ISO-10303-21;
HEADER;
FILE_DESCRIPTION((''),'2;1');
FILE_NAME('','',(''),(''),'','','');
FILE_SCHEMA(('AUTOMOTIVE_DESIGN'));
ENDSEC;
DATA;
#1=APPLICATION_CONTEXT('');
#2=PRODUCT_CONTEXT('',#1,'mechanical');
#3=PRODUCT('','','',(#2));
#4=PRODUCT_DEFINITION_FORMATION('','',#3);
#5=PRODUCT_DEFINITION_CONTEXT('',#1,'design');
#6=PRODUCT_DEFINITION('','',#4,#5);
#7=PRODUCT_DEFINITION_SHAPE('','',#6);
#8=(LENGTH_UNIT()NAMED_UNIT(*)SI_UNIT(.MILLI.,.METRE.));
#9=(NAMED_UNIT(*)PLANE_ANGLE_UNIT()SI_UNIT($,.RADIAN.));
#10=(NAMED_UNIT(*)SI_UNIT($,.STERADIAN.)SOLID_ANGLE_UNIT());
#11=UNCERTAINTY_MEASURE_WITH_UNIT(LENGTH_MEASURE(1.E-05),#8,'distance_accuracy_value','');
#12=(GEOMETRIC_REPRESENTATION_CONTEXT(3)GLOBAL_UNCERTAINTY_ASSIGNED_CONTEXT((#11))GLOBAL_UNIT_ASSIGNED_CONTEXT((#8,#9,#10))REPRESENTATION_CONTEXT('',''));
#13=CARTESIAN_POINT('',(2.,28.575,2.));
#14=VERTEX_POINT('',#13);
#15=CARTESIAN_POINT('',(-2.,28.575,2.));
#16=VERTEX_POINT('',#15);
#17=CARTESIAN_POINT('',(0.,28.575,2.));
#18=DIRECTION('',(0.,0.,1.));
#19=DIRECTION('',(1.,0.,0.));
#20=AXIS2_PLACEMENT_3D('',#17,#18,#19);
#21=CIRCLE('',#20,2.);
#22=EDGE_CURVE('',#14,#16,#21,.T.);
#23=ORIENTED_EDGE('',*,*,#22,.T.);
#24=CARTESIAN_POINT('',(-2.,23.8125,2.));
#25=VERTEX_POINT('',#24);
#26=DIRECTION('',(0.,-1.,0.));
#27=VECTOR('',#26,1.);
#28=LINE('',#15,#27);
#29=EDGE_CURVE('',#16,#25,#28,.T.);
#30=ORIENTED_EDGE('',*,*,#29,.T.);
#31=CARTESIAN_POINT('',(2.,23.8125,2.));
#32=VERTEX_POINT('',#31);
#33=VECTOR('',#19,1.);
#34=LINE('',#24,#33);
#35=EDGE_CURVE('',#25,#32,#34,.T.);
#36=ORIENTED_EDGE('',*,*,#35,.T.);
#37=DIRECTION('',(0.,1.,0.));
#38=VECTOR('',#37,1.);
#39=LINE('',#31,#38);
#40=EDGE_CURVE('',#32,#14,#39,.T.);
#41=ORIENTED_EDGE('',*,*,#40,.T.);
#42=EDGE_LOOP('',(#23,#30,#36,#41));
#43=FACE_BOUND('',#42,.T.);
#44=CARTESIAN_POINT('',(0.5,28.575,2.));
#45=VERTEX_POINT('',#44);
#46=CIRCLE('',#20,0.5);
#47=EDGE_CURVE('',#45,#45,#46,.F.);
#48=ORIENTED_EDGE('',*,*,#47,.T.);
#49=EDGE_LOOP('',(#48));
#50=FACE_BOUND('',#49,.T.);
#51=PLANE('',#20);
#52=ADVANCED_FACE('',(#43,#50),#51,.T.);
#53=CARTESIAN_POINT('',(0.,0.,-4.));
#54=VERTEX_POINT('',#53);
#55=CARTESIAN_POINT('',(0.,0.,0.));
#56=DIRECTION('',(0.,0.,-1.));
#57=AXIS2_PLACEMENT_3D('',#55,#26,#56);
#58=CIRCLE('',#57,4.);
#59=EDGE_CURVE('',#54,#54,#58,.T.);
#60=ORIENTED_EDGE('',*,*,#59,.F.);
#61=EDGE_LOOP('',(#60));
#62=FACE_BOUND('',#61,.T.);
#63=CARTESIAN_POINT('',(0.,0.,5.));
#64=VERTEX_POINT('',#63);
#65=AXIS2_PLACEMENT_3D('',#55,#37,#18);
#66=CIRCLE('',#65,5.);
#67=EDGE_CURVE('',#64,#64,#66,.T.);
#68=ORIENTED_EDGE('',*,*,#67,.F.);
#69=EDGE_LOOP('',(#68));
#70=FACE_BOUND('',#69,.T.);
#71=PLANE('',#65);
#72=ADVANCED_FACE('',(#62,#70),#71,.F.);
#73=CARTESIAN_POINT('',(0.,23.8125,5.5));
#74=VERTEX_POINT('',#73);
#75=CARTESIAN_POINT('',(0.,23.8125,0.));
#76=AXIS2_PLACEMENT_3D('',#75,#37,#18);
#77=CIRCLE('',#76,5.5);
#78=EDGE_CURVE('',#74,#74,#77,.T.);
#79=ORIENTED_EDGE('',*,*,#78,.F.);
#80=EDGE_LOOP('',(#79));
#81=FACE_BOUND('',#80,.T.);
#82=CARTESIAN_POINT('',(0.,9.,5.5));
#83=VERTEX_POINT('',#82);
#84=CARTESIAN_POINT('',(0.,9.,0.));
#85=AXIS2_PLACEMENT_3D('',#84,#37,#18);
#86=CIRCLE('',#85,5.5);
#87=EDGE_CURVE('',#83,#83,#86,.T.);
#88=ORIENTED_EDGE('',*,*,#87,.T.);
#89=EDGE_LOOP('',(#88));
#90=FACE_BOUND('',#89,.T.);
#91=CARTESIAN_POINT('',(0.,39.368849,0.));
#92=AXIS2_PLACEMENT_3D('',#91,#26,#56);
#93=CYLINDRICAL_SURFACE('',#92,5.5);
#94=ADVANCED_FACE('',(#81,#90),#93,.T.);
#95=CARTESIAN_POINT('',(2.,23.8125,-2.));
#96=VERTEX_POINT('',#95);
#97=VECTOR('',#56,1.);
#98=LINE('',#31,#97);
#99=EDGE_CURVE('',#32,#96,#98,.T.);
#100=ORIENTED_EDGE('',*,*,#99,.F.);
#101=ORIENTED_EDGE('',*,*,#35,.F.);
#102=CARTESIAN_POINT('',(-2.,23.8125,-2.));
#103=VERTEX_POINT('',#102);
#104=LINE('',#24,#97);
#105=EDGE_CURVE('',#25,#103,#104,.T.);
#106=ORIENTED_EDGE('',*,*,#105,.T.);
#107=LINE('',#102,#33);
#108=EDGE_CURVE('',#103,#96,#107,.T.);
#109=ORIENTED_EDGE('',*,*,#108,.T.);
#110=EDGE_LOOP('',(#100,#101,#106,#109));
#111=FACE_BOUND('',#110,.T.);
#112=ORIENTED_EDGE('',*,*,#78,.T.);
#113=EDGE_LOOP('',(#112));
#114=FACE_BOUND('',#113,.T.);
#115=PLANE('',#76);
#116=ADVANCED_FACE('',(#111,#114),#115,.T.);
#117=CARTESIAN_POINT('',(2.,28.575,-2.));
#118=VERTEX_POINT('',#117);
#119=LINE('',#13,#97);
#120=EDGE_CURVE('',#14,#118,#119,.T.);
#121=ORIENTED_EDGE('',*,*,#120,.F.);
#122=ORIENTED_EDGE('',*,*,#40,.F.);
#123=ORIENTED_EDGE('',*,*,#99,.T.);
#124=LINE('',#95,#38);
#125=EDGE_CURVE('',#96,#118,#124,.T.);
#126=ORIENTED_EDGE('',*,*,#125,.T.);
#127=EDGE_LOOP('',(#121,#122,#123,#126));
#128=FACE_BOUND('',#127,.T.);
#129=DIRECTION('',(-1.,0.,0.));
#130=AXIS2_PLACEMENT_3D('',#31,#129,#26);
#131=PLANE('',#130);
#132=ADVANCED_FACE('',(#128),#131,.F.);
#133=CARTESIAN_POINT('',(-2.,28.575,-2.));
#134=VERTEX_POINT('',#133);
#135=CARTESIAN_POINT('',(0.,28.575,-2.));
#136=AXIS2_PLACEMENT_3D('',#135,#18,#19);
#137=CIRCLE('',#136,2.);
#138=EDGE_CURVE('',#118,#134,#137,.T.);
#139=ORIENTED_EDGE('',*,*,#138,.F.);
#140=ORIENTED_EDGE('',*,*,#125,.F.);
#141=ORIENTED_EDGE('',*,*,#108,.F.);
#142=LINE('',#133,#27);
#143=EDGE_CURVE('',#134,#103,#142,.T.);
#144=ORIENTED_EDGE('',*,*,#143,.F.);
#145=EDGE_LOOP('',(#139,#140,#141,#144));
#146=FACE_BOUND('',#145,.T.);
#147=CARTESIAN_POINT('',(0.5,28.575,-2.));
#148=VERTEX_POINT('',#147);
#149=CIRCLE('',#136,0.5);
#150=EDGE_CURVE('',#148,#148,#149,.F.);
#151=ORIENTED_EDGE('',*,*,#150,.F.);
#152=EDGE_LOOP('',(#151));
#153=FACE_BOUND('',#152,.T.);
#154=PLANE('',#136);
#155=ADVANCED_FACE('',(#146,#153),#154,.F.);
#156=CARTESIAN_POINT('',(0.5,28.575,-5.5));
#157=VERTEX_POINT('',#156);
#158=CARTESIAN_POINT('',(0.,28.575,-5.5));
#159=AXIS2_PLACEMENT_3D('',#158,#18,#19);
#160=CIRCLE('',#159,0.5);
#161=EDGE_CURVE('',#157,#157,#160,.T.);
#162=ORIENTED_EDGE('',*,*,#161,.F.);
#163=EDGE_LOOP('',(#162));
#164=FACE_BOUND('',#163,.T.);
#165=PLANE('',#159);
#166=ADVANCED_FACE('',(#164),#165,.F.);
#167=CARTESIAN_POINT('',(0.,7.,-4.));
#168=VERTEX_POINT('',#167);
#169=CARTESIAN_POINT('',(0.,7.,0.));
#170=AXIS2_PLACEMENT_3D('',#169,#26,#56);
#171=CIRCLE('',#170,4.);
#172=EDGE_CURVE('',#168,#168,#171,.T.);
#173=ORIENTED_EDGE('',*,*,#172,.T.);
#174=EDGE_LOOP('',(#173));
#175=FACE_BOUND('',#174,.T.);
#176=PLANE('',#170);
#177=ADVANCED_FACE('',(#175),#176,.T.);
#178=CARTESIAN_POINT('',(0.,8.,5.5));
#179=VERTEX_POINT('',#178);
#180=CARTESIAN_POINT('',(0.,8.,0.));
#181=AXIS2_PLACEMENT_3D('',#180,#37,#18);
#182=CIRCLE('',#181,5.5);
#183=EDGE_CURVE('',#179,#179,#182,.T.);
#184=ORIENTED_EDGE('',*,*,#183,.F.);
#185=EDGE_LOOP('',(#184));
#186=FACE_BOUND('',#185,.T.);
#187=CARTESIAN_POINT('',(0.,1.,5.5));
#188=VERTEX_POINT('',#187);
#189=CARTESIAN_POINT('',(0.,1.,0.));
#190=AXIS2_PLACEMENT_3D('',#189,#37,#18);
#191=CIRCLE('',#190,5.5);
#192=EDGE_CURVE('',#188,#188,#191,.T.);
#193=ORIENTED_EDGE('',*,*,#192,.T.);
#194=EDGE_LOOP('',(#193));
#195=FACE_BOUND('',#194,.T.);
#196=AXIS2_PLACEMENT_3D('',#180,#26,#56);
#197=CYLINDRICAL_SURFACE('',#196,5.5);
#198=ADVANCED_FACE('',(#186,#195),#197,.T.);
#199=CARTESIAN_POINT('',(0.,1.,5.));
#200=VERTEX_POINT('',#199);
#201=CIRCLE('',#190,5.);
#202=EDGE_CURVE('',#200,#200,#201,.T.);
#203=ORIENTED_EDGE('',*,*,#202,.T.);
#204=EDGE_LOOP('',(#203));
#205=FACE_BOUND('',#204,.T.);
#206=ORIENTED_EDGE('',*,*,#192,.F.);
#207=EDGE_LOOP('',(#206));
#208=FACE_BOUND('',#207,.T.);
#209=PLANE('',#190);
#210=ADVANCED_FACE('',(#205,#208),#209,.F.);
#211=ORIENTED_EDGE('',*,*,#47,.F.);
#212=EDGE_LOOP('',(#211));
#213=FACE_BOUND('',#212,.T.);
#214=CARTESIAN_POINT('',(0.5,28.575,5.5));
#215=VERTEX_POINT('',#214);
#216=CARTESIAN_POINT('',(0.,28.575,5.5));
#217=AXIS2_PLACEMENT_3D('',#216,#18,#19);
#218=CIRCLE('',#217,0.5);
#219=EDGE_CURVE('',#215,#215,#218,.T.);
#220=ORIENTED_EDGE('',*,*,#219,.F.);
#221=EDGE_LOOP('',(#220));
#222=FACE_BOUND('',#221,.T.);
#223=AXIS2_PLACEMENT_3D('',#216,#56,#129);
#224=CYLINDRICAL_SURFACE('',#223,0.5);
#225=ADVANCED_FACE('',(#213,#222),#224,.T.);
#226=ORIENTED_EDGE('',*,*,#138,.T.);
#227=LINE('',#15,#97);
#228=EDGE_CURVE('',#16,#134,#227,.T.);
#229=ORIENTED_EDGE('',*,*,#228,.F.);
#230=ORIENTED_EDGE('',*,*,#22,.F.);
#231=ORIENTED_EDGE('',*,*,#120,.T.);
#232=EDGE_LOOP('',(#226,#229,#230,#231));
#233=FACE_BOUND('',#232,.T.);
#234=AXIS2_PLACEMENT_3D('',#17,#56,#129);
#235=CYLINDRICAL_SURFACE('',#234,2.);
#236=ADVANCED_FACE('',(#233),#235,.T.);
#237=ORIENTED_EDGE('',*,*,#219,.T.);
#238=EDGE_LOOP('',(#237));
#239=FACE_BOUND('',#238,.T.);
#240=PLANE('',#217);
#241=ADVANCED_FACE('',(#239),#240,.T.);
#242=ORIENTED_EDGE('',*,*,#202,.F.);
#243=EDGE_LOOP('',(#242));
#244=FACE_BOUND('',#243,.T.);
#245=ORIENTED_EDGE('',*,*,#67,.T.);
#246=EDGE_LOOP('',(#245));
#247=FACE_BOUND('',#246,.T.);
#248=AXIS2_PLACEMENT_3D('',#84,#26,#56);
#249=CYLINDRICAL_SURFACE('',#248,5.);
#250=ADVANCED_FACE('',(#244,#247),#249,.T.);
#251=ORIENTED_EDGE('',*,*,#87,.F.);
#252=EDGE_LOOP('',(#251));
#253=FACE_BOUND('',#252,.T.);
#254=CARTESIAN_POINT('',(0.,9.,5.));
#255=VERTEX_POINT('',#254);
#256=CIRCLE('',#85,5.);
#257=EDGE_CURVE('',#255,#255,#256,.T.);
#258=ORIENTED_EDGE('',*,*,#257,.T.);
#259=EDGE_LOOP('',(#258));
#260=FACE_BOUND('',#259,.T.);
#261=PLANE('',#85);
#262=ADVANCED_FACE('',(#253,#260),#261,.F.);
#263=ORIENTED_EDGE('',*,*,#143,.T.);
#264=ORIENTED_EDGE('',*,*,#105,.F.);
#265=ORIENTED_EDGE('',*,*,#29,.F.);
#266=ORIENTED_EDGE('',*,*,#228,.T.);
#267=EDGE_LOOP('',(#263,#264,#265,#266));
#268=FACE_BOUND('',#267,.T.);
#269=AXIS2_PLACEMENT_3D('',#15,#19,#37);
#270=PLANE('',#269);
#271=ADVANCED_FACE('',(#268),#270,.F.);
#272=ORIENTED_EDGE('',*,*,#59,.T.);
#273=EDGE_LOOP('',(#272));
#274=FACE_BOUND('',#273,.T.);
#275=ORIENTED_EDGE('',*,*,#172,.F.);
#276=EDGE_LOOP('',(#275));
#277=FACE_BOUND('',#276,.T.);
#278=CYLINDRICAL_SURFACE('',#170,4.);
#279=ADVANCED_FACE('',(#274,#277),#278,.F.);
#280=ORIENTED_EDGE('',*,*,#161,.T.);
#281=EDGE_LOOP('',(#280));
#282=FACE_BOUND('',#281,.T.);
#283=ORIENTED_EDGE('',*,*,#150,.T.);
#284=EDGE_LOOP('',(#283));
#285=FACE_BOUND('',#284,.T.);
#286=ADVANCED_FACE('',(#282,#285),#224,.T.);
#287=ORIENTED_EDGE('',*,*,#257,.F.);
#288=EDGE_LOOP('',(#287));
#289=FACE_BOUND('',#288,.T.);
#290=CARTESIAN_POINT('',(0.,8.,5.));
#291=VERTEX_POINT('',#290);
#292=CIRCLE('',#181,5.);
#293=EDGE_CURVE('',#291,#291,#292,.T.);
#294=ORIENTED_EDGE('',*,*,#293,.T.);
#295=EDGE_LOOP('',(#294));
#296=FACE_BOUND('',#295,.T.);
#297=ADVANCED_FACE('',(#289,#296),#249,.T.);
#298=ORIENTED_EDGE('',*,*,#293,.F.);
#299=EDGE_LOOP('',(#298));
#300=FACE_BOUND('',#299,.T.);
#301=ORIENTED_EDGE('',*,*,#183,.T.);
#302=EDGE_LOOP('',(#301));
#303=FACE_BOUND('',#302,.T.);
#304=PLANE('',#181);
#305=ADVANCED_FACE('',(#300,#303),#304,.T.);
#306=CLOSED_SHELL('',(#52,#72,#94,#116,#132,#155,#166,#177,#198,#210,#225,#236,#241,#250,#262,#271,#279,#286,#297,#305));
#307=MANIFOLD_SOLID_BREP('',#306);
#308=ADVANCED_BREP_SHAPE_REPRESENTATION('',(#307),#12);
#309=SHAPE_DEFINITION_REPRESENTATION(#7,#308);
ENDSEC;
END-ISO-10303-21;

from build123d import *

# Parameters (mm, degrees)
SKETCH4_R                = 5
BOSS_EXTRUDE1_DEPTH      = 9
SKETCH5_R                = 5.5
BOSS_EXTRUDE2_DEPTH      = 3.5
BOSS_EXTRUDE3_START      = 14.8125
SKETCH6_R                = 5.5
BOSS_EXTRUDE3_DEPTH      = 14.8125
SKETCH7_R                = 4
CUT_EXTRUDE1_DEPTH       = 7
BOSS_EXTRUDE4_DEPTH      = 2
BOSS_EXTRUDE5_DEPTH      = 5.5
BOSS_EXTRUDE5_DEPTH_BACK = 5.5
SKETCH10_R               = 0.5


with BuildPart() as part:
    # Sketch4 → Boss-Extrude1 (new body)
    with BuildSketch(Plane(origin=(0, 0, 0), x_dir=(1, 0, 0), z_dir=(0, 1, 0))):
        with Locations(Location((0, 0, 0), (0, 0, 270))):
            Circle(SKETCH4_R)
    extrude(amount=BOSS_EXTRUDE1_DEPTH)

    # Sketch5 → Boss-Extrude2 (add, symmetric)
    with BuildSketch(Plane(origin=(0, 4.5, 0), x_dir=(1, 0, 0), z_dir=(0, 1, 0))):
        with Locations(Location((0, 0, 0), (0, 0, 270))):
            Circle(SKETCH5_R)
    extrude(amount=BOSS_EXTRUDE2_DEPTH, both=True)

    # Sketch6 → Boss-Extrude3 (add)
    with BuildSketch(Plane(origin=(0, 9, 0), x_dir=(1, 0, 0), z_dir=(0, 1, 0)).offset(BOSS_EXTRUDE3_START)):
        with Locations(Location((0, 0, 0), (0, 0, 270))):
            Circle(SKETCH6_R)
    extrude(amount=-BOSS_EXTRUDE3_DEPTH)

    # Sketch7 → Cut-Extrude1 (cut)
    with BuildSketch(Plane.XZ):
        with Locations(Location((0, 0, 0), (0, 0, 270))):
            Circle(SKETCH7_R)
    extrude(amount=-CUT_EXTRUDE1_DEPTH, mode=Mode.SUBTRACT)

    # Sketch8 → Boss-Extrude4 (add, symmetric)
    with BuildSketch(Plane.XY):
        with BuildLine():
            Line((-2, 23.8125), (2, 23.8125))
            Line((2, 23.8125), (2, 28.575))
            ThreePointArc((2, 28.575), (0, 30.575), (-2, 28.575))
            Line((-2, 28.575), (-2, 23.8125))
        make_face()
    extrude(amount=BOSS_EXTRUDE4_DEPTH, both=True)

    # Sketch10 → Boss-Extrude5 (add, two sides: drawn at the far end of the back side and taken through both)
    with BuildSketch(Plane.XY.offset(-BOSS_EXTRUDE5_DEPTH_BACK)):
        with Locations((0, 28.575)):
            Circle(SKETCH10_R)
    extrude(amount=BOSS_EXTRUDE5_DEPTH + BOSS_EXTRUDE5_DEPTH_BACK)


solid = part.part
